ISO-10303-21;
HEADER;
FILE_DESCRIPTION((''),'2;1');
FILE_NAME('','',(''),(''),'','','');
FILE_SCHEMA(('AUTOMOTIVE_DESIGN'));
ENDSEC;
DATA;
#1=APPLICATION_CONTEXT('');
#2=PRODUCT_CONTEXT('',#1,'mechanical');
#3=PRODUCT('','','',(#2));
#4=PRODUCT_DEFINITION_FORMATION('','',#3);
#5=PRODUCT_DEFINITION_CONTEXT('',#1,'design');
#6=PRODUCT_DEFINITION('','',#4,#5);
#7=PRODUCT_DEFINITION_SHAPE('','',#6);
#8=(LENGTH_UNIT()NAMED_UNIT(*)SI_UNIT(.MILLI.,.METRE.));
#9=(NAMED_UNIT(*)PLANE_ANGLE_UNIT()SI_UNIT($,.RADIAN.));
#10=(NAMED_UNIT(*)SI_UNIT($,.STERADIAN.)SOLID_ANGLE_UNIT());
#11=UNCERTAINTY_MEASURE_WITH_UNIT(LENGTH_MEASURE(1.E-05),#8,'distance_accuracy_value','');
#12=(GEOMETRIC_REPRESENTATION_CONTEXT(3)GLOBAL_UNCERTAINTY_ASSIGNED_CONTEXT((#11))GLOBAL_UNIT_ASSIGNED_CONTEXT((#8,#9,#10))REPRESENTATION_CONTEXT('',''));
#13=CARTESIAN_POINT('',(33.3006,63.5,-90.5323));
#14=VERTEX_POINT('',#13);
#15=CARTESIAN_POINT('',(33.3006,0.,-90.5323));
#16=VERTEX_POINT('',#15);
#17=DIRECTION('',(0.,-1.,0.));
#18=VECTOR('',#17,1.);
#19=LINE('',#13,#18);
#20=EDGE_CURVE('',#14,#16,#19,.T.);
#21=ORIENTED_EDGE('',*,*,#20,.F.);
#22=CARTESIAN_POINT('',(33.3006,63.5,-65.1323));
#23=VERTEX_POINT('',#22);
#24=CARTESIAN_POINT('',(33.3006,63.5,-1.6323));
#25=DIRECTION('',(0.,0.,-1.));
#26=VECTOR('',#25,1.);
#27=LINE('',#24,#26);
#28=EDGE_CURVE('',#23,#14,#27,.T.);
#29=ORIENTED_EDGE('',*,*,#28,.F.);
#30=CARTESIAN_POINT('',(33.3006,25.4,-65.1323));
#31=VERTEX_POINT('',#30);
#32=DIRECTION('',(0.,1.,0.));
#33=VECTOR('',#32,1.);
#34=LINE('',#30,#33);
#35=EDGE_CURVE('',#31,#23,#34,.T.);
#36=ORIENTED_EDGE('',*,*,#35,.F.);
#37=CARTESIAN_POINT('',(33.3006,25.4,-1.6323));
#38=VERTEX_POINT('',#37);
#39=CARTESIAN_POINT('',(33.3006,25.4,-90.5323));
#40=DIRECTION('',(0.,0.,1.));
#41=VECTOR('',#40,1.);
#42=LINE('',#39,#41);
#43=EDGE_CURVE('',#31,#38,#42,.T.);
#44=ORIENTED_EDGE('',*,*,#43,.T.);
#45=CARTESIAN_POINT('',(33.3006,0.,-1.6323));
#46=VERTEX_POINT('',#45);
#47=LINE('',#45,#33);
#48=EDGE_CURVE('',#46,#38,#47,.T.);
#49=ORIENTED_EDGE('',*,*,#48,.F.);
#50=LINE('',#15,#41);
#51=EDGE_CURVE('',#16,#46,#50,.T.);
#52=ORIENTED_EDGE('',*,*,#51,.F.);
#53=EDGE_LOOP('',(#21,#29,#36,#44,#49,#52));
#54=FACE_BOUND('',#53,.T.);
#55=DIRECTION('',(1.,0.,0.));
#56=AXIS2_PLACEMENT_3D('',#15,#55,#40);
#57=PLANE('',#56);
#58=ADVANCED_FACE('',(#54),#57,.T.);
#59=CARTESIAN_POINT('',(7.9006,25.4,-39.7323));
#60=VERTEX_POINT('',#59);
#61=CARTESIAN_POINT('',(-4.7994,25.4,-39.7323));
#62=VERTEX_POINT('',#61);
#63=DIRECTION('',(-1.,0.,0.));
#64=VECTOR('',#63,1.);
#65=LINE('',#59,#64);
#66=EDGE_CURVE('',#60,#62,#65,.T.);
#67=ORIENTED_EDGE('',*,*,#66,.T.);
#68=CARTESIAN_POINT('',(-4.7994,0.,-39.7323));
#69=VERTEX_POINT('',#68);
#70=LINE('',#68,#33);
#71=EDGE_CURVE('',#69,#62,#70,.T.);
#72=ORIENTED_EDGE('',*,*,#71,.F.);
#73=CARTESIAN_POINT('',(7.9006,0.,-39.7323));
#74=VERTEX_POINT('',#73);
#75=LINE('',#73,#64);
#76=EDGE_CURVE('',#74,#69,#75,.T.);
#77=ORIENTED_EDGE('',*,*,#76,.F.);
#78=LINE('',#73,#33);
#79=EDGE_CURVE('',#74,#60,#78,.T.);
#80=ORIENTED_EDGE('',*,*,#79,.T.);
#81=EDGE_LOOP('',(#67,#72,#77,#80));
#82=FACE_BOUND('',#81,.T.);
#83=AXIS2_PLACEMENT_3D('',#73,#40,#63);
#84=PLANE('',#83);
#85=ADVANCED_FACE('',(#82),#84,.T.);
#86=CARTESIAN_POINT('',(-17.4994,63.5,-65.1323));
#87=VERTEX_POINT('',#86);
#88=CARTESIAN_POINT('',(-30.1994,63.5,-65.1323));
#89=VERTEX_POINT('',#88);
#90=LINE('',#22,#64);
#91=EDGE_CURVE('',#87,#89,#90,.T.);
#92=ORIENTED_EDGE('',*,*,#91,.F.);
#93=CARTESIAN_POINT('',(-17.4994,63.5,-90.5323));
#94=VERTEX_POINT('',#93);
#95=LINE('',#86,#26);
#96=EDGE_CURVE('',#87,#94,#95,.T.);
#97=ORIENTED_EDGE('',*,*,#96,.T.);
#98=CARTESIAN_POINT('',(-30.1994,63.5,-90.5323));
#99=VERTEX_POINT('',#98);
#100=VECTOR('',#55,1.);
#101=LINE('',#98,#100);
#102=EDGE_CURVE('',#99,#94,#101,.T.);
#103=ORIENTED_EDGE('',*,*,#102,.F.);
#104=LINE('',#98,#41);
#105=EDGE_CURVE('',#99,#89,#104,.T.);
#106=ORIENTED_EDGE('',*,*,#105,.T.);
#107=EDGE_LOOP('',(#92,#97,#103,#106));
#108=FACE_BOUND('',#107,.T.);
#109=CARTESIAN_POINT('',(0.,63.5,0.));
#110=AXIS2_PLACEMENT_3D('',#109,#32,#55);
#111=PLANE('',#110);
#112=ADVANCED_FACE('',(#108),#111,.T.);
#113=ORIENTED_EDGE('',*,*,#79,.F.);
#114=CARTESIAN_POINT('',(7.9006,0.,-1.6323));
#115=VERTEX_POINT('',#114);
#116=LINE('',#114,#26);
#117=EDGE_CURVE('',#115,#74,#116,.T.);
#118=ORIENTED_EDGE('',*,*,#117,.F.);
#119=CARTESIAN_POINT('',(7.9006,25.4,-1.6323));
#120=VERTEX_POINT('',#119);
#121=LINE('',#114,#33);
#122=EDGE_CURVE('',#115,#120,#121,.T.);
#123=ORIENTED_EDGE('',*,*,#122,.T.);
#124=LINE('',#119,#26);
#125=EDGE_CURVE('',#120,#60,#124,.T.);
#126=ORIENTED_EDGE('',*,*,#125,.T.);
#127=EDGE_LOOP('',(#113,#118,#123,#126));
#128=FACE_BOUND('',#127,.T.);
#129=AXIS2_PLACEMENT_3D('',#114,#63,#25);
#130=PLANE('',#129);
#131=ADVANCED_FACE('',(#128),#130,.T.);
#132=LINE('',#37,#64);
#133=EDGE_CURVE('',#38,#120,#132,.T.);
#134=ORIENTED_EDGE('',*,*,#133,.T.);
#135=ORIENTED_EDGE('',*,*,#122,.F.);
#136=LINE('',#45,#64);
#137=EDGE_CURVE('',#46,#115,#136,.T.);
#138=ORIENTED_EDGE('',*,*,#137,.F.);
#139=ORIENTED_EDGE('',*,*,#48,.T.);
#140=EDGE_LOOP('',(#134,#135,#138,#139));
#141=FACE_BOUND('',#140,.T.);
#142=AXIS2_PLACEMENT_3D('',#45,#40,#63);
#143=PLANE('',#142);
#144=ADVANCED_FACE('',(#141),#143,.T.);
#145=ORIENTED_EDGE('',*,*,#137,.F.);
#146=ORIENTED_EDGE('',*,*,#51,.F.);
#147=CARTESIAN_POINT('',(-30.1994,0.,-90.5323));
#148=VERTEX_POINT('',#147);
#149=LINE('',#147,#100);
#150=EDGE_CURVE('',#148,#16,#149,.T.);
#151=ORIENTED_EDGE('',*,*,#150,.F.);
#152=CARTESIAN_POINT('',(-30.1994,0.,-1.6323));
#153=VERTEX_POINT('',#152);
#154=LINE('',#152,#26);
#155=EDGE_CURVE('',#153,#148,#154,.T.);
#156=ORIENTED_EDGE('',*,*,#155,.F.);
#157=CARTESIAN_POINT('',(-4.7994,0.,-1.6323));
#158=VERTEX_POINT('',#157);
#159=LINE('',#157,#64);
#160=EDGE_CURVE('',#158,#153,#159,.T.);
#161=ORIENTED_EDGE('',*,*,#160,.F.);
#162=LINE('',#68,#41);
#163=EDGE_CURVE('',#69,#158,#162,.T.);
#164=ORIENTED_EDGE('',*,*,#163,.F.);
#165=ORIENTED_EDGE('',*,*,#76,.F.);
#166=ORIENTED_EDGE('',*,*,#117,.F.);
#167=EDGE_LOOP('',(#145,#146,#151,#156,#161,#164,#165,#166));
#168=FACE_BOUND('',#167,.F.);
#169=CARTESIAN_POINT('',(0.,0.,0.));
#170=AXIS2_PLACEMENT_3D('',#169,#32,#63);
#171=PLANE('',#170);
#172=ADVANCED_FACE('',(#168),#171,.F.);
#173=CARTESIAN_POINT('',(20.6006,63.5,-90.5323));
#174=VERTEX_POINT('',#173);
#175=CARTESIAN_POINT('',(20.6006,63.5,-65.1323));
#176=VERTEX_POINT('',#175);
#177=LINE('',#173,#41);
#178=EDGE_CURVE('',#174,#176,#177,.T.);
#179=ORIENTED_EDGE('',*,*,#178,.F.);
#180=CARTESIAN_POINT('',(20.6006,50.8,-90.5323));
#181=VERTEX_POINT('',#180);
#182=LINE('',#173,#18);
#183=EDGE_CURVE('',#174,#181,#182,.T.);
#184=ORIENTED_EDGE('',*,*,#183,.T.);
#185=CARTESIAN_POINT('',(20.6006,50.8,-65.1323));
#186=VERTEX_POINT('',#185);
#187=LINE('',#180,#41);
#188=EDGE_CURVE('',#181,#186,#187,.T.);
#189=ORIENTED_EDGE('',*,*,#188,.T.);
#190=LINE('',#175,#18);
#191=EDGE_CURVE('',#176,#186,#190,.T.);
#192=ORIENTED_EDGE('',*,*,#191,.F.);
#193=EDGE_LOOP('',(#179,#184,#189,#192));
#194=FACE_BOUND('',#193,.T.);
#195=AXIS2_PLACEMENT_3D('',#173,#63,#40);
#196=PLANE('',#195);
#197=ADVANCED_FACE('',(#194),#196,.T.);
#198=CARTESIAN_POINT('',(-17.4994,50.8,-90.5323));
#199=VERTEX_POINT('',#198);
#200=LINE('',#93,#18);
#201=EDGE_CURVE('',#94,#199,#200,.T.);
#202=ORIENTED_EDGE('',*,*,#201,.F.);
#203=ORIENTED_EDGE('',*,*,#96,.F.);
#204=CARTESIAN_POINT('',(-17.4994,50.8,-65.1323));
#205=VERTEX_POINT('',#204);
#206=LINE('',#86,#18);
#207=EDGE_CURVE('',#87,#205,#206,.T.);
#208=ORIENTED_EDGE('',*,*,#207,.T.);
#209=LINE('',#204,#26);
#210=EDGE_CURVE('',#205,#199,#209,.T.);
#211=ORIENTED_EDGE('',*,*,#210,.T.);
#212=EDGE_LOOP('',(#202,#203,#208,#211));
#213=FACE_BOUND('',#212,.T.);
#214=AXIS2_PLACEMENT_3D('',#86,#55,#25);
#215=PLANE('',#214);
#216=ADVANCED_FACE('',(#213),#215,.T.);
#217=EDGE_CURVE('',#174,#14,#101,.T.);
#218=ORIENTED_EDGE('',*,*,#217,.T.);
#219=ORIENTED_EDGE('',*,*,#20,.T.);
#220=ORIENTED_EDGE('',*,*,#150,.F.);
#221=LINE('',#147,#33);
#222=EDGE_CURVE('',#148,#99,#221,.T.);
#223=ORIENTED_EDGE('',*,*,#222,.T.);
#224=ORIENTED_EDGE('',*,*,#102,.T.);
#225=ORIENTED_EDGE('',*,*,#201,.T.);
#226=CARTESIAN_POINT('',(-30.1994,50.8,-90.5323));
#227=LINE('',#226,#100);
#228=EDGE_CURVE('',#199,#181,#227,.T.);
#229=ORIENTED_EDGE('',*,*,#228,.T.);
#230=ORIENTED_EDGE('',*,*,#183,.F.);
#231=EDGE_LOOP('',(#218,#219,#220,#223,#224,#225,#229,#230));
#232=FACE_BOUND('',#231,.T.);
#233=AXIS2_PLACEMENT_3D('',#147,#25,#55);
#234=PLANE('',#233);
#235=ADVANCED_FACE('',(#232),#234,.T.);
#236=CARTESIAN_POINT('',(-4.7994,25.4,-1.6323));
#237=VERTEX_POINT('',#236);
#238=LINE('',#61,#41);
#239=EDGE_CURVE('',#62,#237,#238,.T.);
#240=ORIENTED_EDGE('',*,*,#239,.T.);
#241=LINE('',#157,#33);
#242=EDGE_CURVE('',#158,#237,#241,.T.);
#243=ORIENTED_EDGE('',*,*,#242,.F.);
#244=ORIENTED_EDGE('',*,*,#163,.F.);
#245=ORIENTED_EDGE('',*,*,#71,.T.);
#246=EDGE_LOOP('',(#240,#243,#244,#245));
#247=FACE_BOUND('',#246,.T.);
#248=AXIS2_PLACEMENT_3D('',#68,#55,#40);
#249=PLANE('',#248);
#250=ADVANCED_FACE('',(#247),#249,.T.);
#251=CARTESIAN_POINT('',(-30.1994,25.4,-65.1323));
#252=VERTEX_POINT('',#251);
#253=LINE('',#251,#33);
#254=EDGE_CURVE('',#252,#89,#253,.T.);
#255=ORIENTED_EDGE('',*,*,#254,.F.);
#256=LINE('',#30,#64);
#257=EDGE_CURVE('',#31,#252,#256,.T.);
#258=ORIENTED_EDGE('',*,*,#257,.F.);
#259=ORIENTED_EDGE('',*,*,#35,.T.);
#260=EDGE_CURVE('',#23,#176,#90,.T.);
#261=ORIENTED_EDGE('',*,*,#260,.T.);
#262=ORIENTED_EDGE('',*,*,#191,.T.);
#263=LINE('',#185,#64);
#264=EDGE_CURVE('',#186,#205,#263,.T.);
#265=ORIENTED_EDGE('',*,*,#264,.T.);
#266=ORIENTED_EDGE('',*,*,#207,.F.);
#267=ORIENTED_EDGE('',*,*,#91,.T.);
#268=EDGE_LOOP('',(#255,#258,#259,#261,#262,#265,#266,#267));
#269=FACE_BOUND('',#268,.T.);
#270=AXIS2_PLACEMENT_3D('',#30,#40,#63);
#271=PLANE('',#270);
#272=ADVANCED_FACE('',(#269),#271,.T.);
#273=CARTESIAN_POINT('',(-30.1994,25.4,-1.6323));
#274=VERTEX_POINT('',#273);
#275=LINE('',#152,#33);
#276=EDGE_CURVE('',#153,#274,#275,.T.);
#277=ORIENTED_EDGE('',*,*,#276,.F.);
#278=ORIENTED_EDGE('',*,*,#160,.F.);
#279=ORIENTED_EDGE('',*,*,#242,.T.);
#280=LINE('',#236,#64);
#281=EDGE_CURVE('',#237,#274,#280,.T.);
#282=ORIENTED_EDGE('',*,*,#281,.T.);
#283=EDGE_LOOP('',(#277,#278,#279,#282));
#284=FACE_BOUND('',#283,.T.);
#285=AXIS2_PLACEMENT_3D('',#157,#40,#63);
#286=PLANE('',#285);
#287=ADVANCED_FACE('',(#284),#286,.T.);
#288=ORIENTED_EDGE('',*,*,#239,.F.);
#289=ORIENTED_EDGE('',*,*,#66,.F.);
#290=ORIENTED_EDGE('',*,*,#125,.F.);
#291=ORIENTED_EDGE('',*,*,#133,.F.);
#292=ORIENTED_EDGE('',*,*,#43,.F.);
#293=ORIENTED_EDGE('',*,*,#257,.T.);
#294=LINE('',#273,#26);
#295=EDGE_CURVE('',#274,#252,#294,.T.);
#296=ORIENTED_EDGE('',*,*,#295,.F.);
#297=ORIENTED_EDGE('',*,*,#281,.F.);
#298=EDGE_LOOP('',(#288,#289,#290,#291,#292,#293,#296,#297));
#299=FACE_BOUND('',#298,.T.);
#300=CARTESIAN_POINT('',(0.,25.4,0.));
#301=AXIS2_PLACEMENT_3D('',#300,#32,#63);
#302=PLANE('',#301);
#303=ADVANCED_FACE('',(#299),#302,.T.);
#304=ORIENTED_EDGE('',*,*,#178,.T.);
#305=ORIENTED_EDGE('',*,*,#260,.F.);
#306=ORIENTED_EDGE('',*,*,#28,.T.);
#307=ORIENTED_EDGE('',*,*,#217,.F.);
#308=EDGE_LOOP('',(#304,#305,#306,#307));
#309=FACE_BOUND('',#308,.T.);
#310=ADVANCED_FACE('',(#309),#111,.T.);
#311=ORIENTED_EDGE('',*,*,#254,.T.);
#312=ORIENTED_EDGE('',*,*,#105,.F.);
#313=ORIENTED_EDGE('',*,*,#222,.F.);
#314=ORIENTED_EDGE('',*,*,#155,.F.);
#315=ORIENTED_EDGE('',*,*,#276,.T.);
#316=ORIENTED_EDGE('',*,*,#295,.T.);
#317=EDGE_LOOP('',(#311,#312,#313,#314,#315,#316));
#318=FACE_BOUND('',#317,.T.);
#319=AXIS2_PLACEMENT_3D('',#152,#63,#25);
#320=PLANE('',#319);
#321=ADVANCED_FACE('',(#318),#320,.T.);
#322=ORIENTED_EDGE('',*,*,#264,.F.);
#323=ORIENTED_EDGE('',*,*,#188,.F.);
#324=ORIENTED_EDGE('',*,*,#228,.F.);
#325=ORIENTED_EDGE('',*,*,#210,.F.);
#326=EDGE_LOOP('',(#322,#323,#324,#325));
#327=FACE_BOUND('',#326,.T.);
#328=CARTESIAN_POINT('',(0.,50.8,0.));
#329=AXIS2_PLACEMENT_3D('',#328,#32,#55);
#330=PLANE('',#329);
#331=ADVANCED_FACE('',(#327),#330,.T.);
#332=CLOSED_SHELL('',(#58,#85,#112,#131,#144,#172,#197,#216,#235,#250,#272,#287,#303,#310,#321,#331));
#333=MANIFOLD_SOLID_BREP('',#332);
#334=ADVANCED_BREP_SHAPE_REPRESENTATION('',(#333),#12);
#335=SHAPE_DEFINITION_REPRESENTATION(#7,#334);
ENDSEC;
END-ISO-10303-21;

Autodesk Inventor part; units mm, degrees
ref_plane "YZ Plane" through (0, 0, 0) normal (1, 0, 0) x (0, 1, 0)
ref_plane "XZ Plane" through (0, 0, 0) normal (0, 1, 0) x (-1, 0, 0)
ref_plane "XY Plane" through (0, 0, 0) normal (0, 0, 1) x (1, 0, 0)
sketch "Sketch1" plane through (0, 0, 0) normal (0, 1, 0) x (-1, 0, 0)
  line L0 (30.1994, -90.5323) -> (-33.3006, -90.5323)
  line L1 (-33.3006, -90.5323) -> (-33.3006, -1.6323)
  line L2 (30.1994, -1.6323) -> (30.1994, -90.5323)
  line L3 (-7.9006, -1.6323) -> (-7.9006, -39.7323)
  line L4 (-7.9006, -39.7323) -> (4.7994, -39.7323)
  line L5 (4.7994, -39.7323) -> (4.7994, -1.6323)
  line L6 (-33.3006, -1.6323) -> (-7.9006, -1.6323)
  line L7 (4.7994, -1.6323) -> (30.1994, -1.6323)
  point P0 (0, 0)
  dimension "d0" = 63.5
  dimension "d1" = 88.9
  dimension "d2" = 25.4
  dimension "d3" = 25.4
  dimension "d4" = 38.1
extrude "Extrusion1" add sketch "Sketch1" along normal blind 25.4
sketch "Sketch2" plane through (0, 25.4, 0) normal (0, 1, 0) x (1, 0, 0)
  line L0 (-30.1994, 90.5323) -> (-30.1994, 1.6323) projected
  line L1 (33.3006, 1.6323) -> (33.3006, 90.5323) projected
  line L2 (-30.1994, 90.5323) -> (33.3006, 90.5323)
  line L3 (33.3006, 90.5323) -> (33.3006, 65.1323)
  line L4 (33.3006, 65.1323) -> (-30.1994, 65.1323)
  line L5 (-30.1994, 65.1323) -> (-30.1994, 90.5323)
  point P0 (0, 0)
  dimension "d7" = 25.4
extrude "Extrusion2" add sketch "Sketch2" along normal blind 38.1
sketch "Sketch3" plane through (0, 63.5, 0) normal (0, 1, 0) x (1, 0, 0)
  line L0 (-30.1994, 90.5323) -> (33.3006, 90.5323) projected
  line L1 (-17.4994, 90.5323) -> (20.6006, 90.5323)
  line L2 (20.6006, 90.5323) -> (20.6006, 65.1323)
  line L3 (20.6006, 65.1323) -> (-17.4994, 65.1323)
  line L4 (-17.4994, 65.1323) -> (-17.4994, 90.5323)
  line L5 (-30.1994, 90.5323) -> (-30.1994, 65.1323) projected
  point P0 (0, 0)
  dimension "d10" = 25.4
  dimension "d11" = 12.7
  dimension "d13" = 38.1
extrude "Extrusion3" cut sketch "Sketch3" against normal blind 12.7
